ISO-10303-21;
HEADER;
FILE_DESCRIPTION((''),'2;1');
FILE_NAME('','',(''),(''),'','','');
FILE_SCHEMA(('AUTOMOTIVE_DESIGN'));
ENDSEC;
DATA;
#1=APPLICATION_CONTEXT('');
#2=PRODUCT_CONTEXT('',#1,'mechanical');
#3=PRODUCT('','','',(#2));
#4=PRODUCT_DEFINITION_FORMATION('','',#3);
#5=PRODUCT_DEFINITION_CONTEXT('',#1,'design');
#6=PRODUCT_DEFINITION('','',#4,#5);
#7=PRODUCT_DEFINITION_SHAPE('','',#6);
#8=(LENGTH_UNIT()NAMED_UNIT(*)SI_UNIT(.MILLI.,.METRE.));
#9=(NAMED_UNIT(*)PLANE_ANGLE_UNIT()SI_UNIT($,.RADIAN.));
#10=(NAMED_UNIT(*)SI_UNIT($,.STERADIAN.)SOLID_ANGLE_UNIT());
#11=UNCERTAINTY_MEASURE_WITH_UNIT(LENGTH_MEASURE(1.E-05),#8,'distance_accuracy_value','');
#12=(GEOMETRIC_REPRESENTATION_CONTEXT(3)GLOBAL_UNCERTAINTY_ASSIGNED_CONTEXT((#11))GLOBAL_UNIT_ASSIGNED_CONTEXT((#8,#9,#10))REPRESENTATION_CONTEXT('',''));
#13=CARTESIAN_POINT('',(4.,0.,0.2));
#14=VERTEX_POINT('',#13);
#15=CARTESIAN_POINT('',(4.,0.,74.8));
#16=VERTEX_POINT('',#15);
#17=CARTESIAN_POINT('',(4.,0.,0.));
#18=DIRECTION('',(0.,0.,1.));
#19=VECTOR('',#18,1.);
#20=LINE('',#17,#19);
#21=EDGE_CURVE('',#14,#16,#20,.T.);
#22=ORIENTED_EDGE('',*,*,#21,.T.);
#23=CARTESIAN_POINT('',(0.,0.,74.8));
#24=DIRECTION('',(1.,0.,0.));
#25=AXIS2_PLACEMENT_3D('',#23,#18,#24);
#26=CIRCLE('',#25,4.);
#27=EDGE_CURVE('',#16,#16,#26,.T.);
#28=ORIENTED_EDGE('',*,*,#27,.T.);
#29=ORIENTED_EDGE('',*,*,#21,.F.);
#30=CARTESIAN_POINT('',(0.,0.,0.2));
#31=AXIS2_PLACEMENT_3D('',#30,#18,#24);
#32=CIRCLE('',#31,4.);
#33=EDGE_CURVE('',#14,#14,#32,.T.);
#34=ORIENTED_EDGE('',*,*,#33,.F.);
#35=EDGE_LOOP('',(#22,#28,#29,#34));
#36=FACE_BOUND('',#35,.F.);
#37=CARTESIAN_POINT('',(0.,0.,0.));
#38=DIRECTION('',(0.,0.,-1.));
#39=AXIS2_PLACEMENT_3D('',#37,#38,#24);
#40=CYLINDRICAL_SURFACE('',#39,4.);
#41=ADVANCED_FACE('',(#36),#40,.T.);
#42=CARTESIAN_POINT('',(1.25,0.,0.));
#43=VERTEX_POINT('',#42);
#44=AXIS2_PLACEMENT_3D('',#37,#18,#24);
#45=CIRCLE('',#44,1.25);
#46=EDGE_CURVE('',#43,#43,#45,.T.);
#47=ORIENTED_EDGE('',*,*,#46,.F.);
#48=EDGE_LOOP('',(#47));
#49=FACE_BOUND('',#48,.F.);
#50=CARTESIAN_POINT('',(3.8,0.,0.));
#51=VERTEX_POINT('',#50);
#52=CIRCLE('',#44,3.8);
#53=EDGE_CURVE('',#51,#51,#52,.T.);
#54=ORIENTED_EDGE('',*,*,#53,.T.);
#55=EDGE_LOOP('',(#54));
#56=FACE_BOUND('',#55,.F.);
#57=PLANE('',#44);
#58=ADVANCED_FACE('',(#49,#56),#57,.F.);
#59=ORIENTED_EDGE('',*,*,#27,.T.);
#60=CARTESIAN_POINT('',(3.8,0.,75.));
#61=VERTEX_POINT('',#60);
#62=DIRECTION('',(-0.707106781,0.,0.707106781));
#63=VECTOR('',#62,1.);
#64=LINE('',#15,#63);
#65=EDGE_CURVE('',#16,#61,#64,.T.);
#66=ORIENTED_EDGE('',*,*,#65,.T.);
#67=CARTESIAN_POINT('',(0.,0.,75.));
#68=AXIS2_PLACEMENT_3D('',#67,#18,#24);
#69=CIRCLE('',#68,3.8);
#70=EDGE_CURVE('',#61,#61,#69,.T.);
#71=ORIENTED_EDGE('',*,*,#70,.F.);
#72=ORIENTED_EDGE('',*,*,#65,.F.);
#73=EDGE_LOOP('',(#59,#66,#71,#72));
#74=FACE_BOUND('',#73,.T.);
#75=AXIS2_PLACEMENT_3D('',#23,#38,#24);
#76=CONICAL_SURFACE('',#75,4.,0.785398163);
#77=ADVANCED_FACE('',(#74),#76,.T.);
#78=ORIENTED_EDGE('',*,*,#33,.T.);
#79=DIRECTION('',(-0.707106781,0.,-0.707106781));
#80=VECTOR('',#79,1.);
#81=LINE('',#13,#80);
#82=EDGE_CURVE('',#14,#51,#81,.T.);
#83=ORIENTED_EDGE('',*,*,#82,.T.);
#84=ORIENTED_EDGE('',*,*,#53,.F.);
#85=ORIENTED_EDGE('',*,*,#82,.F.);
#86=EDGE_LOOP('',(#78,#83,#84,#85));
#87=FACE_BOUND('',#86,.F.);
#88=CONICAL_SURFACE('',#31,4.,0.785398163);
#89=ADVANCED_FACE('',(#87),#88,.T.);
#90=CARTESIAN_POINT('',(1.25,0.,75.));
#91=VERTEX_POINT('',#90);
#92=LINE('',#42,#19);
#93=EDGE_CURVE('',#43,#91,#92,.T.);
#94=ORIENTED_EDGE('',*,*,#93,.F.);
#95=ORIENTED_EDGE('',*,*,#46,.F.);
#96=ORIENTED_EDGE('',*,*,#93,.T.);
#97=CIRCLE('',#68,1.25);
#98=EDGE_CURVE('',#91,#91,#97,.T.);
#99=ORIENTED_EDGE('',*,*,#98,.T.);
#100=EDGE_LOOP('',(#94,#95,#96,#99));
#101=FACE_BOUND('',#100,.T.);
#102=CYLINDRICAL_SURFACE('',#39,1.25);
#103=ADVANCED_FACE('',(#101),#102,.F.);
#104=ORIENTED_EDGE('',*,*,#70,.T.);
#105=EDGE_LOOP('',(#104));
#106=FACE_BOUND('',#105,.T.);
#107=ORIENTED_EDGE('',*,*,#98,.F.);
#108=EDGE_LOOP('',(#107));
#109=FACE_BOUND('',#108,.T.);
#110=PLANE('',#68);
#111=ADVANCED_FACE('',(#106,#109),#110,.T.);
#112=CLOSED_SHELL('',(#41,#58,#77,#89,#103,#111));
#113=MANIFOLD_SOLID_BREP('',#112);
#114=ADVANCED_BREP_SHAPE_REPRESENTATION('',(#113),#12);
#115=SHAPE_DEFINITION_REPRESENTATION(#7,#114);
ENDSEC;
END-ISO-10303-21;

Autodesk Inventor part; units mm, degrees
ref_plane "YZ Plane" through (0, 0, 0) normal (1, 0, 0) x (0, 1, 0)
ref_plane "XZ Plane" through (0, 0, 0) normal (0, 1, 0) x (-1, 0, 0)
ref_plane "XY Plane" through (0, 0, 0) normal (0, 0, 1) x (1, 0, 0)
sketch "スケッチ1" plane through (0, 0, 0) normal (0, 0, 1) x (1, 0, 0)
  circle A0 centre (0, 0) radius 4
  circle A1 centre (0, 0) radius 1.25
  dimension "d0" = 8
  dimension "d1" = 2.5
extrude "押し出し1" add sketch "スケッチ1" along normal blind 75
chamfer "面取り1" distance 0.2 angle 45 2 edges at (-4, 0, 0) (-4, 0, 75)
properties part number "軸_8-80" material "アルミニウム 6061"
